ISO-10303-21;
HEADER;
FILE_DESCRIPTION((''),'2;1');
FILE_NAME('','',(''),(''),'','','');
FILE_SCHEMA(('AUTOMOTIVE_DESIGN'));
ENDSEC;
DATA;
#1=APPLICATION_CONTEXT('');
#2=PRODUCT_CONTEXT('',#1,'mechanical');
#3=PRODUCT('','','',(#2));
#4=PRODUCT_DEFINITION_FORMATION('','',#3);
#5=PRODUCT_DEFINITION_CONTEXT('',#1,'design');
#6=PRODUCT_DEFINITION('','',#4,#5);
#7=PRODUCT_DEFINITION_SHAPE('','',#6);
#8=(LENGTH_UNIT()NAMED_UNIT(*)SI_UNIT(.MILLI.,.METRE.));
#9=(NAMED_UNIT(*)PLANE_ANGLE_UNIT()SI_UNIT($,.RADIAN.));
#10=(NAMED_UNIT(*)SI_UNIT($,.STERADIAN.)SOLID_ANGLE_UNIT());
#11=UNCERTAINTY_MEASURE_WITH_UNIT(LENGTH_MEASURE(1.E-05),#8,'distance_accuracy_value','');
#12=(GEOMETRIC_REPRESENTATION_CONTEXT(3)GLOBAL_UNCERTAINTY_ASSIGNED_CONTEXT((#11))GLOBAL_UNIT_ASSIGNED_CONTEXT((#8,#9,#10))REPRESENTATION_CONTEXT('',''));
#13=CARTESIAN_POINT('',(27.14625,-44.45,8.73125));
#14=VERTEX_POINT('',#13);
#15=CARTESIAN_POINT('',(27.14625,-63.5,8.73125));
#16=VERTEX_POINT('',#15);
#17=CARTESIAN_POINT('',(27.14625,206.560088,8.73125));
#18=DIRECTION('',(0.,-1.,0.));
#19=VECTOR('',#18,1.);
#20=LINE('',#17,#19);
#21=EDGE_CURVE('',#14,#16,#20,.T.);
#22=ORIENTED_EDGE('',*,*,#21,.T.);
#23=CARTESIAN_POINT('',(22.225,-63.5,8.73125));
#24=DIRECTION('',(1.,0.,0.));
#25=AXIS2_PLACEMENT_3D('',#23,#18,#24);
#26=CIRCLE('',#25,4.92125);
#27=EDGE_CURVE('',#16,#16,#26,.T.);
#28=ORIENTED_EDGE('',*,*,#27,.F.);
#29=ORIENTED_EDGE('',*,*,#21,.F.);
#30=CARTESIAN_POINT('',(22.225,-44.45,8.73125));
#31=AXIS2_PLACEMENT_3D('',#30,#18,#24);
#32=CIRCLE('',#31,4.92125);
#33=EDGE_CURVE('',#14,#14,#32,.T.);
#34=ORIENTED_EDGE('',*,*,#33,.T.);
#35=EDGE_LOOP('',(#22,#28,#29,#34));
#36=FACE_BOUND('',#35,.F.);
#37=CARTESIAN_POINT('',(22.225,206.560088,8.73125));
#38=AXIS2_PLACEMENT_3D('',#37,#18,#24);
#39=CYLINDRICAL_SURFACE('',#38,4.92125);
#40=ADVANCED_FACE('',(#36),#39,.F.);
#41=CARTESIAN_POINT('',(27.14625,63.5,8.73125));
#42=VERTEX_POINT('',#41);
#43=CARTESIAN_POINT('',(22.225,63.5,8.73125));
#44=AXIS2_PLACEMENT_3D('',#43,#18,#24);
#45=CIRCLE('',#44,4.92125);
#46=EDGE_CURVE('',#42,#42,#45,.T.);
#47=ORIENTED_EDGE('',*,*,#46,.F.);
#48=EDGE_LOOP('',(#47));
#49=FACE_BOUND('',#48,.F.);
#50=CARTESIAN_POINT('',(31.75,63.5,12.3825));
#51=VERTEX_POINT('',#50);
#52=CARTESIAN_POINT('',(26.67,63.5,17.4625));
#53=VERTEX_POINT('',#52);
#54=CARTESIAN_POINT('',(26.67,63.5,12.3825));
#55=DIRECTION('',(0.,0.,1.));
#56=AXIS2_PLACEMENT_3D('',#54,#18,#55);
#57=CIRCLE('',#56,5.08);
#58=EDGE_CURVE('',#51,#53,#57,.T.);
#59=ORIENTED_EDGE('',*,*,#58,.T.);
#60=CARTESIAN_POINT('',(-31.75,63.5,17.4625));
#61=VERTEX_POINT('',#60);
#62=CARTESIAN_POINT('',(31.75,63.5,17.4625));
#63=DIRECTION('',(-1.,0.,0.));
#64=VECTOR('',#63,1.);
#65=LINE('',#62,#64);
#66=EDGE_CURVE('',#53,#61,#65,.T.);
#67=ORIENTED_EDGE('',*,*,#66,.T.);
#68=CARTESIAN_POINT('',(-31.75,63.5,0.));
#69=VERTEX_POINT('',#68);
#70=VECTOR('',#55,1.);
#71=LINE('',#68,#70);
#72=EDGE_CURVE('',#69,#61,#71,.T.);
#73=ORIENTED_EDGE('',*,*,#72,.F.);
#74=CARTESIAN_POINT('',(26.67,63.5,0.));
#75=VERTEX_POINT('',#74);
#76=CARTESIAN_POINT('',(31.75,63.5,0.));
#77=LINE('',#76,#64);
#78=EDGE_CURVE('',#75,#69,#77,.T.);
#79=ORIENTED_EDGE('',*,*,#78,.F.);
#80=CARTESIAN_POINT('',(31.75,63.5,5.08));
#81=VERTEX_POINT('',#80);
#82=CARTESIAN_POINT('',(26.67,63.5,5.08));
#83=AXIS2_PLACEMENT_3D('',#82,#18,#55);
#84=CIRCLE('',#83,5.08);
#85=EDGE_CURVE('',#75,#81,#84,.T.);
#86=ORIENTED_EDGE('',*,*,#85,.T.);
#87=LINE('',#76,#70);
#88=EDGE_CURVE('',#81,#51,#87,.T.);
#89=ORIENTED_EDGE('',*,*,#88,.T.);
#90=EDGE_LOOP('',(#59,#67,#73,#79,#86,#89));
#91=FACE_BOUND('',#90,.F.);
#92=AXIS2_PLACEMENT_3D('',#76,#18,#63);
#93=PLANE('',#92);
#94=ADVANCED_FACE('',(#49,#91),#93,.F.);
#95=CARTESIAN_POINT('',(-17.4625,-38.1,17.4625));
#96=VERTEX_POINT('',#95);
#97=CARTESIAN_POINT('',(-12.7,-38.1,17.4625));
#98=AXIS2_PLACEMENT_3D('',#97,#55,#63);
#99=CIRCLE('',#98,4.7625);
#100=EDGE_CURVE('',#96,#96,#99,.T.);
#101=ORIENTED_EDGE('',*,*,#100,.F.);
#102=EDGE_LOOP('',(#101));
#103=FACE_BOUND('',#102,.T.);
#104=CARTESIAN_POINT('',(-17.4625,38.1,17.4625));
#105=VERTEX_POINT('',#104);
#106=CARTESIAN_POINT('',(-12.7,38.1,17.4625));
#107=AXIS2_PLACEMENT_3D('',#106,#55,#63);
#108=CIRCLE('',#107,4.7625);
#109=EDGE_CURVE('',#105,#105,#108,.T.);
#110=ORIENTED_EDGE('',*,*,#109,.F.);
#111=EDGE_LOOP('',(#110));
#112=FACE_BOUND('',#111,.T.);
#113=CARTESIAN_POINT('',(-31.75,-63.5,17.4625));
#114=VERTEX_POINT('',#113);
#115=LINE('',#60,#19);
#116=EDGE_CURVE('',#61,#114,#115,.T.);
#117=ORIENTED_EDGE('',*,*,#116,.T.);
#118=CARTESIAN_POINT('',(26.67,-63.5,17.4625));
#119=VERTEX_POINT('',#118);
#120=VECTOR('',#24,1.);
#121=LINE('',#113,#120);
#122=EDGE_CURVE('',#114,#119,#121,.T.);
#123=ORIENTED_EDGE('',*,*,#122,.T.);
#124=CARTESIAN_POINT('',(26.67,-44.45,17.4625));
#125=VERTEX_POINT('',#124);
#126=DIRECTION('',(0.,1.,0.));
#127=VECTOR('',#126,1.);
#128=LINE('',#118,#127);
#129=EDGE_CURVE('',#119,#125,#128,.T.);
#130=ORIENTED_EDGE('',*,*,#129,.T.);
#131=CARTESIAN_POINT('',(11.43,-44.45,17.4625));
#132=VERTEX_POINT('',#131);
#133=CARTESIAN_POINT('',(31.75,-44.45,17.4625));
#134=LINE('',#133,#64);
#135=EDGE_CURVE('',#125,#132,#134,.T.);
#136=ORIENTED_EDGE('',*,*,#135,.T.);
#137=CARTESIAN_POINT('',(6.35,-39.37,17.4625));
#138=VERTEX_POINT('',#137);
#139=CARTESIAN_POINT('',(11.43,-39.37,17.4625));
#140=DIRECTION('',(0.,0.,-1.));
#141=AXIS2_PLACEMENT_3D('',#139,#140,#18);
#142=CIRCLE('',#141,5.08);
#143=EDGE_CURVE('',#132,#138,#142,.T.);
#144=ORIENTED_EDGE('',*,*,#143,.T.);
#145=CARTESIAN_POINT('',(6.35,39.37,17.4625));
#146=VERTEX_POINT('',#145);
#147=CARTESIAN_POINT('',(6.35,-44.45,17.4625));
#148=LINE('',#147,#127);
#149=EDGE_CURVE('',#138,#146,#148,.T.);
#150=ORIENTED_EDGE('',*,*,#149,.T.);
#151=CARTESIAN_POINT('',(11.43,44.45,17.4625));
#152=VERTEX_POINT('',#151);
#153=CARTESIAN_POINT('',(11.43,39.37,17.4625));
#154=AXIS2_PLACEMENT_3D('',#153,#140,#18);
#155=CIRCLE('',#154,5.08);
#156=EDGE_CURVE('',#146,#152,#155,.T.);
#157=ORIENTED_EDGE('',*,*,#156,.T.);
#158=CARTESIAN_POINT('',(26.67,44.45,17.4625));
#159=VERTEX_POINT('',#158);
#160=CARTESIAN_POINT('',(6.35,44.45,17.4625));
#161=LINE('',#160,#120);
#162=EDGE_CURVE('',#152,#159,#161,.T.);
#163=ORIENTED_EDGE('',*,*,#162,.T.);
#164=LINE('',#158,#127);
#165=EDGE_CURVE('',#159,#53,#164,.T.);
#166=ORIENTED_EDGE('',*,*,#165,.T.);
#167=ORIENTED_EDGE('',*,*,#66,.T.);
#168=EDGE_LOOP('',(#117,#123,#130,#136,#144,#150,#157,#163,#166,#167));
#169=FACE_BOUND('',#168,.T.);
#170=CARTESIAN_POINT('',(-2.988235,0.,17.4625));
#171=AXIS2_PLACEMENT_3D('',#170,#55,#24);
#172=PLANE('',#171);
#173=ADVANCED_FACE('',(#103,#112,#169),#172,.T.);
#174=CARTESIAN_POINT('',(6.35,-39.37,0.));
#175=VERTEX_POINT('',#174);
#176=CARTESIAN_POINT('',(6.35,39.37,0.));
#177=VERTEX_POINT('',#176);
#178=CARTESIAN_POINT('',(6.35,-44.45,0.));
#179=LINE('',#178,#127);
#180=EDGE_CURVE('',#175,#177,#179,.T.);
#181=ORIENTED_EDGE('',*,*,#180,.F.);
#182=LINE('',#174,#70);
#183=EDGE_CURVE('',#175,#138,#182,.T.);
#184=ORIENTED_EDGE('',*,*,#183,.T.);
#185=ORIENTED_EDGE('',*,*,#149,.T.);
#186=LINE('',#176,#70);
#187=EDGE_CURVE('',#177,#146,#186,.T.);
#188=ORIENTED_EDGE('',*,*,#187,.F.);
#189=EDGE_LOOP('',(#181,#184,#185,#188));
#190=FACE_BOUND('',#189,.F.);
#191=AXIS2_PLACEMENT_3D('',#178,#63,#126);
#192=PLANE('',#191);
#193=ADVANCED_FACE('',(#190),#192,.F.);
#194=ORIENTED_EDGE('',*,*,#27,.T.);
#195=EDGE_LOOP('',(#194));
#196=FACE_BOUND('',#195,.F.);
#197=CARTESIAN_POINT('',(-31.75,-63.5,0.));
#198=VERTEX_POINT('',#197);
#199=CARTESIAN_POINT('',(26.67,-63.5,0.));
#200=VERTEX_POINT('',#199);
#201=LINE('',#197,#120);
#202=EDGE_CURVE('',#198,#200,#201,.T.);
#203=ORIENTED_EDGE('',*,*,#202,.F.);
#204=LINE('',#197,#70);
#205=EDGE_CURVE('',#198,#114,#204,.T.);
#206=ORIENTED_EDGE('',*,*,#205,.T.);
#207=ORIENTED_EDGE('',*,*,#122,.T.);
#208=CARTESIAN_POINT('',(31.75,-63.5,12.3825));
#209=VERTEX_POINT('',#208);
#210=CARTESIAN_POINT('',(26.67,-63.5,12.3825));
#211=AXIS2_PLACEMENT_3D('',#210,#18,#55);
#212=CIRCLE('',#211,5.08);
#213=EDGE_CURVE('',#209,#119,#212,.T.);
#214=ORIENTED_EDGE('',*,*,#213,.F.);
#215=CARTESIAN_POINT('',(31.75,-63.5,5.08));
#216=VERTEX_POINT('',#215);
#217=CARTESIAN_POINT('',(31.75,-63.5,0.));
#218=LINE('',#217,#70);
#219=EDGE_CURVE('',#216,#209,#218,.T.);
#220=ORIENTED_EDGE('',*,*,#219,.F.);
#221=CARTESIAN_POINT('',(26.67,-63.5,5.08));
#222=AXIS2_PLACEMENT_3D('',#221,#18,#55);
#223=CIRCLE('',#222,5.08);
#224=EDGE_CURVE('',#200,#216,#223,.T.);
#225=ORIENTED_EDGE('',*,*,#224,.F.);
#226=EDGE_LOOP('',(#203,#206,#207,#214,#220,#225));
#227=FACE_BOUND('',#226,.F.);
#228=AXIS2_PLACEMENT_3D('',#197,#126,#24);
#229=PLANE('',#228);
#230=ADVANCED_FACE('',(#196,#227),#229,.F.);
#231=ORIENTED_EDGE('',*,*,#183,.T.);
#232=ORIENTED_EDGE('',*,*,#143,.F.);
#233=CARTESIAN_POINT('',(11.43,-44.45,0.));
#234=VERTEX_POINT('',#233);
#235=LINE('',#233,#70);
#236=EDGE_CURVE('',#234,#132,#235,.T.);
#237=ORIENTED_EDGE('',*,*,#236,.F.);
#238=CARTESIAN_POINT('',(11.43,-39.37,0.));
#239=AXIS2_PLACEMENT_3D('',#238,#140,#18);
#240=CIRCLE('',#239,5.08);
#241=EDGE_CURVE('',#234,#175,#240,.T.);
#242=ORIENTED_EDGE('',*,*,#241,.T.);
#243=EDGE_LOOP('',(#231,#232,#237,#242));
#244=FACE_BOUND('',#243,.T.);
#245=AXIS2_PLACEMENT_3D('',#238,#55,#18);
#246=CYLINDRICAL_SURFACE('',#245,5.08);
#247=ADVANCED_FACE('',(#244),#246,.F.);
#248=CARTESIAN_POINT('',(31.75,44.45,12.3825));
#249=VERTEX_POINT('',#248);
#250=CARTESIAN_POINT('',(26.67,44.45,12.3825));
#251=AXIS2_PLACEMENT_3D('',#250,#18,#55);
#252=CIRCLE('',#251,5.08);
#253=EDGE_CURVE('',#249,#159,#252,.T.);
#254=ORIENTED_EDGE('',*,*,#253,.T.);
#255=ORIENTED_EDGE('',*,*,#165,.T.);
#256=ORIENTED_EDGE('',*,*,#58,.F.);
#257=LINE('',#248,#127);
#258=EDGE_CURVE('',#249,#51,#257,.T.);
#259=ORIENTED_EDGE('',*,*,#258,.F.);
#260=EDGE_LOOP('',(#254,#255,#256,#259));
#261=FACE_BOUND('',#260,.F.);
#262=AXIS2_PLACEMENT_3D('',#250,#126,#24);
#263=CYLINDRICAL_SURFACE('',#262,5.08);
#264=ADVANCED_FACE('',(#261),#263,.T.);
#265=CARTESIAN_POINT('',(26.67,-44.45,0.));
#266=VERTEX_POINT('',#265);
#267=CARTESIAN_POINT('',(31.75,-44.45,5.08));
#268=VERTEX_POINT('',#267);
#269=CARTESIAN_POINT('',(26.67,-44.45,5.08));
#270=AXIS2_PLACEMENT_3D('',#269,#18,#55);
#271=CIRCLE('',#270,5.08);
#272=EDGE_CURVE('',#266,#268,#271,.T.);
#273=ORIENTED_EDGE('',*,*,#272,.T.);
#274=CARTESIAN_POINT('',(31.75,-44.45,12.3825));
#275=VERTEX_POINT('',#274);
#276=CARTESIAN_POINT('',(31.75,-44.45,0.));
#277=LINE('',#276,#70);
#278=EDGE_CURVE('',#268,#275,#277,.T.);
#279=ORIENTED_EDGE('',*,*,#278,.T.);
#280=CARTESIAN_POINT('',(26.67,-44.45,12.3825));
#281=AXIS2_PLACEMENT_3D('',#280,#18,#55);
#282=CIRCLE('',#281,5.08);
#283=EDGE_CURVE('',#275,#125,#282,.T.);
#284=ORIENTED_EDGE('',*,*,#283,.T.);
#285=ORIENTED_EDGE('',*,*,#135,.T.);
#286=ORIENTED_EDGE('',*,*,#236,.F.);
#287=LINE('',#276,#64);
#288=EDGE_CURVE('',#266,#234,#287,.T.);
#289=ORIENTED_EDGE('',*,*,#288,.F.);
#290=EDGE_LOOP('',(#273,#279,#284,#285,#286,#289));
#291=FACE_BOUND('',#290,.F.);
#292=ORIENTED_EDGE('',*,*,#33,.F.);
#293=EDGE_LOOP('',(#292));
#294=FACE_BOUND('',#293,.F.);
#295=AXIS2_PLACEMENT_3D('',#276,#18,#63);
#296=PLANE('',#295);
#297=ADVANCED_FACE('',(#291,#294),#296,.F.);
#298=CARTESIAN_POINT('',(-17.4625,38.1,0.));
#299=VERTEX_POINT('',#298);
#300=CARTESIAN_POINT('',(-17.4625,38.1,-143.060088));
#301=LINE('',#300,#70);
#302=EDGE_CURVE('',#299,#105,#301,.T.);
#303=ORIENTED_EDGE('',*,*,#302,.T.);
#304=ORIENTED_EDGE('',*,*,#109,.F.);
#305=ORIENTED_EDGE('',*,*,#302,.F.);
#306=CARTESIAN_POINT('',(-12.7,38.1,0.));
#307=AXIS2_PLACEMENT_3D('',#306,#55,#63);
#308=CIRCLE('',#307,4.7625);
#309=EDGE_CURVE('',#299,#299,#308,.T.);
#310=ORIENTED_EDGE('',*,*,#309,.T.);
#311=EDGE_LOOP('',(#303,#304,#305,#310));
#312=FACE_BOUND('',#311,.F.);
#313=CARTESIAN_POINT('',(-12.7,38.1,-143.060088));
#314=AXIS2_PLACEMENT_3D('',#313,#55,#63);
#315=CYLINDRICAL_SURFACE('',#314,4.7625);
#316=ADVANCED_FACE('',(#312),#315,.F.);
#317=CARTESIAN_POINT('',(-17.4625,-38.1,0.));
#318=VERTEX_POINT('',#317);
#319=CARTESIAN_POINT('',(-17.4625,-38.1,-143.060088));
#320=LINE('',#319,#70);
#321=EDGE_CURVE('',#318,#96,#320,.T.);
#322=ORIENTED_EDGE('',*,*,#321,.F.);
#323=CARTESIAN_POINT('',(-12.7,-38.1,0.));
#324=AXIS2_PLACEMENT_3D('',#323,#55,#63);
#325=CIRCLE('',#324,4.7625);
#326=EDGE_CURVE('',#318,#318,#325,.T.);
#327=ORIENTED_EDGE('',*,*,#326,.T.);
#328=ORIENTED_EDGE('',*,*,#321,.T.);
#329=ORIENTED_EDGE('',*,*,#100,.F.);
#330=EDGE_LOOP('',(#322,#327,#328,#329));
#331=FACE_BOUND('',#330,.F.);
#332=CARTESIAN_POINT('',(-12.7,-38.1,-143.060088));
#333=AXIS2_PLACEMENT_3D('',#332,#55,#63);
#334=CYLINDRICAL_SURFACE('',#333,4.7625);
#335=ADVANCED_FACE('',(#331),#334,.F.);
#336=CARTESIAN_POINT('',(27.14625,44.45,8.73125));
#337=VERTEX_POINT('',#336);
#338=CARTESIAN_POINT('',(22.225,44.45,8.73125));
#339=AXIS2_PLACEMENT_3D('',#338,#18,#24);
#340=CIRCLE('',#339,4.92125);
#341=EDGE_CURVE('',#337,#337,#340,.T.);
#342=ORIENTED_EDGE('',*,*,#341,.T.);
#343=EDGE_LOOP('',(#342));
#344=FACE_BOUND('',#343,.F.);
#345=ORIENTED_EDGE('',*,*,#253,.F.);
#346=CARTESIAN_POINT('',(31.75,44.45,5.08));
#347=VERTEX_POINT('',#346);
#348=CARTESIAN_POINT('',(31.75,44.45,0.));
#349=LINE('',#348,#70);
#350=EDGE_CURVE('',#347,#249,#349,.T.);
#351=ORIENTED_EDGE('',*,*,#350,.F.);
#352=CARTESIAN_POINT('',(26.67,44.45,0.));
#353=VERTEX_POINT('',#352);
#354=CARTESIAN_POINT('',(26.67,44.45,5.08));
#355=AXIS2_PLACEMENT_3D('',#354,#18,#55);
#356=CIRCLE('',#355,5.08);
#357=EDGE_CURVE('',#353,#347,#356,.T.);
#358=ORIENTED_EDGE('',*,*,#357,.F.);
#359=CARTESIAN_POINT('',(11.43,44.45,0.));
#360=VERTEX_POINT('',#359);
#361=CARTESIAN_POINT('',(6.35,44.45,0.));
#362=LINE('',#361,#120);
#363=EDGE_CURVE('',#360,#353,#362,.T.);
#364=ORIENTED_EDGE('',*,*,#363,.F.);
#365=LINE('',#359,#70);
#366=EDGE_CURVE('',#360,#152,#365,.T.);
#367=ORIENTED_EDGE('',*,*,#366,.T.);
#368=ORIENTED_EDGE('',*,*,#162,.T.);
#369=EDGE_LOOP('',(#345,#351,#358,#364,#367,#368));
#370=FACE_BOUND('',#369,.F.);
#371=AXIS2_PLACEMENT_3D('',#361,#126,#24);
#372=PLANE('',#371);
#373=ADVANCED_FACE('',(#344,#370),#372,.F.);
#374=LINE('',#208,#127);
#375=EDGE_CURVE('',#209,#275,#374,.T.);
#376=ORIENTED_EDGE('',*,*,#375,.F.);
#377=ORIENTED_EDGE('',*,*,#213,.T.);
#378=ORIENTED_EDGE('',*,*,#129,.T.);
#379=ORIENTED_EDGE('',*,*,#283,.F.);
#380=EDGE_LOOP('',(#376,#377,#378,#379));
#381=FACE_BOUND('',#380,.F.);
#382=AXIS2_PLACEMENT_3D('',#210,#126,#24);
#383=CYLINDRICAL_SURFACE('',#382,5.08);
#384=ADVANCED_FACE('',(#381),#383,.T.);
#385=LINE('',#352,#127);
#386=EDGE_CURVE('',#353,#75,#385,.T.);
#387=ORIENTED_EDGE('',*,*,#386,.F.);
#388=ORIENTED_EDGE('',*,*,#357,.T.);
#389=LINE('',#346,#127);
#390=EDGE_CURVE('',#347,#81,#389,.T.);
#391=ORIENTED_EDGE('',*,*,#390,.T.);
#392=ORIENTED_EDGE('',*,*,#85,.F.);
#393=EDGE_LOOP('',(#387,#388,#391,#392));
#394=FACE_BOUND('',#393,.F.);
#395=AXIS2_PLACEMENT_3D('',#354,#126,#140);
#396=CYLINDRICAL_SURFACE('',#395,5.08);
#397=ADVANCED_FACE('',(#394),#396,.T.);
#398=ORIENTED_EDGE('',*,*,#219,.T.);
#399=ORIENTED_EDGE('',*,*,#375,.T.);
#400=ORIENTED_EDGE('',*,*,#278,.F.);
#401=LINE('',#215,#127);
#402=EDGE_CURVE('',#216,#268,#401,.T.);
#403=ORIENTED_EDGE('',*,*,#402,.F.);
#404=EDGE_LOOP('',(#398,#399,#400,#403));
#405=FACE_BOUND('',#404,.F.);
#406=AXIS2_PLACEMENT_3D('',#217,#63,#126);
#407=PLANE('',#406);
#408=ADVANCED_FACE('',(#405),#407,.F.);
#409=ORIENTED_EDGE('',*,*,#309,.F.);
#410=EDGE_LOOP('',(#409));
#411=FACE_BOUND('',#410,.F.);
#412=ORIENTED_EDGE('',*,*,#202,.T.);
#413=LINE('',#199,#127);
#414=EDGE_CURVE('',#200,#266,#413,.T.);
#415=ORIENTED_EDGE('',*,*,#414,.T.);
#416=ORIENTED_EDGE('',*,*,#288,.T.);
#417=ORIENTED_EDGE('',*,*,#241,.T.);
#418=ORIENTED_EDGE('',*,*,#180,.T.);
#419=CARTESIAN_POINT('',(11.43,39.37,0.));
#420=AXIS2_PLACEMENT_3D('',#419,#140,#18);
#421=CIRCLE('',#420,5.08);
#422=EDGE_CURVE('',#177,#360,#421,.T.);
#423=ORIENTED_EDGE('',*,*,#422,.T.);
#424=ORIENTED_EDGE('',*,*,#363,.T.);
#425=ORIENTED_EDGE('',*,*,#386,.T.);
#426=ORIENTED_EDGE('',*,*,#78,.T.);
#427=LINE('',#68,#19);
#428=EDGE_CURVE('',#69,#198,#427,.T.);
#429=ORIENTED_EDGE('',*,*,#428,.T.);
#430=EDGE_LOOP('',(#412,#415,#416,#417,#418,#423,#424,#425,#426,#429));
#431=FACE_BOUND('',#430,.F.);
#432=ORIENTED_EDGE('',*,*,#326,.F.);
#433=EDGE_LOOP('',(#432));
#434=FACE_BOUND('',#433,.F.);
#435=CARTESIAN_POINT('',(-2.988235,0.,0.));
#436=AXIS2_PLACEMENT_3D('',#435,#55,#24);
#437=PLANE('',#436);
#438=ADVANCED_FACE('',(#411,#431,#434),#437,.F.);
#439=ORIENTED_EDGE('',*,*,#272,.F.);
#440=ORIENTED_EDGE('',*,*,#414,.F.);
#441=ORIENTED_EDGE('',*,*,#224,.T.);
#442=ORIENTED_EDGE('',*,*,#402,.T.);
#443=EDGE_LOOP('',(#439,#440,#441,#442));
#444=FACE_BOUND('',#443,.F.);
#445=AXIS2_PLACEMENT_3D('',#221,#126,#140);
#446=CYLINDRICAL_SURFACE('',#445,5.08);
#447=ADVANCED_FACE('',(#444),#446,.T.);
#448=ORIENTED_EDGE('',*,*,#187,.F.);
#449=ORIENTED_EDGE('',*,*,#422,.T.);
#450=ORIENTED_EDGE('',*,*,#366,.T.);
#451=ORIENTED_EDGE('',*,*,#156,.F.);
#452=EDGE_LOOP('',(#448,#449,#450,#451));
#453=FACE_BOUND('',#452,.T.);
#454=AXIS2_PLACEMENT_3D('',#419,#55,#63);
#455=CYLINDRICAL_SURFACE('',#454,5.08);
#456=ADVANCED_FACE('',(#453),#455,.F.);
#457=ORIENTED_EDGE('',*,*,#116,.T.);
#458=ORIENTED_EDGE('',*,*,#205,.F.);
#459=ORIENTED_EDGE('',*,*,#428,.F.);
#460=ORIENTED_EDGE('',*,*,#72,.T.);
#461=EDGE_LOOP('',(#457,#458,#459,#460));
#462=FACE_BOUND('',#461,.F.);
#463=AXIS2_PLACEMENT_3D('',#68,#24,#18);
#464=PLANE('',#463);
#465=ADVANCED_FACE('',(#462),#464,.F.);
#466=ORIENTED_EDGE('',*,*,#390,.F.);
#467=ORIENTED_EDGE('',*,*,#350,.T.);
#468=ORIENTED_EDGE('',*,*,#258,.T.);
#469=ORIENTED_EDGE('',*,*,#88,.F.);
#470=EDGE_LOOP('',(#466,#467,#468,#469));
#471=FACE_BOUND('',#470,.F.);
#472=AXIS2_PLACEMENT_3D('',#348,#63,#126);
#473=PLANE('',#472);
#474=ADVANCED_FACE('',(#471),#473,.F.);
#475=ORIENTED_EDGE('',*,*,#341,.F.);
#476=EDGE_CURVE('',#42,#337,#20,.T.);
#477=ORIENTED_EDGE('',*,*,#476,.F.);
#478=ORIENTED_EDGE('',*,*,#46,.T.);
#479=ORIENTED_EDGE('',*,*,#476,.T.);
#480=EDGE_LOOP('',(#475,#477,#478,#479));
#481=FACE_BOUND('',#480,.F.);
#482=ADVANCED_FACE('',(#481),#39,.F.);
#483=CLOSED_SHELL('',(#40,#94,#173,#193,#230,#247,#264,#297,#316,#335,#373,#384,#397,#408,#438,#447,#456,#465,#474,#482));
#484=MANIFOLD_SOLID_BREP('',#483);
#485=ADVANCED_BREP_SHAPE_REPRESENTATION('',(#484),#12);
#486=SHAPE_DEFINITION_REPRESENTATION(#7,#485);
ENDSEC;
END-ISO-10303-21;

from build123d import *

# Parameters (mm, degrees)
F1_DEPTH = 17.4625
F3_D     = 9.8425
F4_R     = 5.08
F6_D     = 9.525
F7_R     = 5.08


with BuildPart() as f1:
    # F0 (on Top) → F1 (new body)
    with BuildSketch(Plane.XY):
        Polygon((-31.75, -63.5), (31.75, -63.5), (31.75, -44.45), (6.35, -44.45), (6.35, 44.45), (31.75, 44.45), (31.75, 63.5), (-31.75, 63.5), align=None)
    extrude(amount=F1_DEPTH)

    # F3 (through all)
    with Locations(Plane(origin=(0, 63.5, 0), x_dir=(-1, 0, 0), z_dir=(0, 1, 0))):
        with Locations((-22.225, 8.73125)):
            Hole(F3_D / 2)

    # F4
    f4_edges = [f1.edges().sort_by_distance(p)[0] for p in [
        (6.35, -44.45, 8.73125),
        (6.35, 44.45, 8.73125),
    ]]
    fillet(f4_edges, radius=F4_R)

    # F6 (through all)
    with Locations(Plane(origin=(0, 0, 0), x_dir=(1, 0, 0), z_dir=(0, 0, -1))):
        with Locations((-12.7, 38.1), (-12.7, -38.1)):
            Hole(F6_D / 2)

    # F7
    f7_edges = [f1.edges().sort_by_distance(p)[0] for p in [
        (31.75, -53.975, 17.4625),
        (31.75, -53.975, 0),
        (31.75, 53.975, 17.4625),
        (31.75, 53.975, 0),
    ]]
    fillet(f7_edges, radius=F7_R)


solid = f1.part
